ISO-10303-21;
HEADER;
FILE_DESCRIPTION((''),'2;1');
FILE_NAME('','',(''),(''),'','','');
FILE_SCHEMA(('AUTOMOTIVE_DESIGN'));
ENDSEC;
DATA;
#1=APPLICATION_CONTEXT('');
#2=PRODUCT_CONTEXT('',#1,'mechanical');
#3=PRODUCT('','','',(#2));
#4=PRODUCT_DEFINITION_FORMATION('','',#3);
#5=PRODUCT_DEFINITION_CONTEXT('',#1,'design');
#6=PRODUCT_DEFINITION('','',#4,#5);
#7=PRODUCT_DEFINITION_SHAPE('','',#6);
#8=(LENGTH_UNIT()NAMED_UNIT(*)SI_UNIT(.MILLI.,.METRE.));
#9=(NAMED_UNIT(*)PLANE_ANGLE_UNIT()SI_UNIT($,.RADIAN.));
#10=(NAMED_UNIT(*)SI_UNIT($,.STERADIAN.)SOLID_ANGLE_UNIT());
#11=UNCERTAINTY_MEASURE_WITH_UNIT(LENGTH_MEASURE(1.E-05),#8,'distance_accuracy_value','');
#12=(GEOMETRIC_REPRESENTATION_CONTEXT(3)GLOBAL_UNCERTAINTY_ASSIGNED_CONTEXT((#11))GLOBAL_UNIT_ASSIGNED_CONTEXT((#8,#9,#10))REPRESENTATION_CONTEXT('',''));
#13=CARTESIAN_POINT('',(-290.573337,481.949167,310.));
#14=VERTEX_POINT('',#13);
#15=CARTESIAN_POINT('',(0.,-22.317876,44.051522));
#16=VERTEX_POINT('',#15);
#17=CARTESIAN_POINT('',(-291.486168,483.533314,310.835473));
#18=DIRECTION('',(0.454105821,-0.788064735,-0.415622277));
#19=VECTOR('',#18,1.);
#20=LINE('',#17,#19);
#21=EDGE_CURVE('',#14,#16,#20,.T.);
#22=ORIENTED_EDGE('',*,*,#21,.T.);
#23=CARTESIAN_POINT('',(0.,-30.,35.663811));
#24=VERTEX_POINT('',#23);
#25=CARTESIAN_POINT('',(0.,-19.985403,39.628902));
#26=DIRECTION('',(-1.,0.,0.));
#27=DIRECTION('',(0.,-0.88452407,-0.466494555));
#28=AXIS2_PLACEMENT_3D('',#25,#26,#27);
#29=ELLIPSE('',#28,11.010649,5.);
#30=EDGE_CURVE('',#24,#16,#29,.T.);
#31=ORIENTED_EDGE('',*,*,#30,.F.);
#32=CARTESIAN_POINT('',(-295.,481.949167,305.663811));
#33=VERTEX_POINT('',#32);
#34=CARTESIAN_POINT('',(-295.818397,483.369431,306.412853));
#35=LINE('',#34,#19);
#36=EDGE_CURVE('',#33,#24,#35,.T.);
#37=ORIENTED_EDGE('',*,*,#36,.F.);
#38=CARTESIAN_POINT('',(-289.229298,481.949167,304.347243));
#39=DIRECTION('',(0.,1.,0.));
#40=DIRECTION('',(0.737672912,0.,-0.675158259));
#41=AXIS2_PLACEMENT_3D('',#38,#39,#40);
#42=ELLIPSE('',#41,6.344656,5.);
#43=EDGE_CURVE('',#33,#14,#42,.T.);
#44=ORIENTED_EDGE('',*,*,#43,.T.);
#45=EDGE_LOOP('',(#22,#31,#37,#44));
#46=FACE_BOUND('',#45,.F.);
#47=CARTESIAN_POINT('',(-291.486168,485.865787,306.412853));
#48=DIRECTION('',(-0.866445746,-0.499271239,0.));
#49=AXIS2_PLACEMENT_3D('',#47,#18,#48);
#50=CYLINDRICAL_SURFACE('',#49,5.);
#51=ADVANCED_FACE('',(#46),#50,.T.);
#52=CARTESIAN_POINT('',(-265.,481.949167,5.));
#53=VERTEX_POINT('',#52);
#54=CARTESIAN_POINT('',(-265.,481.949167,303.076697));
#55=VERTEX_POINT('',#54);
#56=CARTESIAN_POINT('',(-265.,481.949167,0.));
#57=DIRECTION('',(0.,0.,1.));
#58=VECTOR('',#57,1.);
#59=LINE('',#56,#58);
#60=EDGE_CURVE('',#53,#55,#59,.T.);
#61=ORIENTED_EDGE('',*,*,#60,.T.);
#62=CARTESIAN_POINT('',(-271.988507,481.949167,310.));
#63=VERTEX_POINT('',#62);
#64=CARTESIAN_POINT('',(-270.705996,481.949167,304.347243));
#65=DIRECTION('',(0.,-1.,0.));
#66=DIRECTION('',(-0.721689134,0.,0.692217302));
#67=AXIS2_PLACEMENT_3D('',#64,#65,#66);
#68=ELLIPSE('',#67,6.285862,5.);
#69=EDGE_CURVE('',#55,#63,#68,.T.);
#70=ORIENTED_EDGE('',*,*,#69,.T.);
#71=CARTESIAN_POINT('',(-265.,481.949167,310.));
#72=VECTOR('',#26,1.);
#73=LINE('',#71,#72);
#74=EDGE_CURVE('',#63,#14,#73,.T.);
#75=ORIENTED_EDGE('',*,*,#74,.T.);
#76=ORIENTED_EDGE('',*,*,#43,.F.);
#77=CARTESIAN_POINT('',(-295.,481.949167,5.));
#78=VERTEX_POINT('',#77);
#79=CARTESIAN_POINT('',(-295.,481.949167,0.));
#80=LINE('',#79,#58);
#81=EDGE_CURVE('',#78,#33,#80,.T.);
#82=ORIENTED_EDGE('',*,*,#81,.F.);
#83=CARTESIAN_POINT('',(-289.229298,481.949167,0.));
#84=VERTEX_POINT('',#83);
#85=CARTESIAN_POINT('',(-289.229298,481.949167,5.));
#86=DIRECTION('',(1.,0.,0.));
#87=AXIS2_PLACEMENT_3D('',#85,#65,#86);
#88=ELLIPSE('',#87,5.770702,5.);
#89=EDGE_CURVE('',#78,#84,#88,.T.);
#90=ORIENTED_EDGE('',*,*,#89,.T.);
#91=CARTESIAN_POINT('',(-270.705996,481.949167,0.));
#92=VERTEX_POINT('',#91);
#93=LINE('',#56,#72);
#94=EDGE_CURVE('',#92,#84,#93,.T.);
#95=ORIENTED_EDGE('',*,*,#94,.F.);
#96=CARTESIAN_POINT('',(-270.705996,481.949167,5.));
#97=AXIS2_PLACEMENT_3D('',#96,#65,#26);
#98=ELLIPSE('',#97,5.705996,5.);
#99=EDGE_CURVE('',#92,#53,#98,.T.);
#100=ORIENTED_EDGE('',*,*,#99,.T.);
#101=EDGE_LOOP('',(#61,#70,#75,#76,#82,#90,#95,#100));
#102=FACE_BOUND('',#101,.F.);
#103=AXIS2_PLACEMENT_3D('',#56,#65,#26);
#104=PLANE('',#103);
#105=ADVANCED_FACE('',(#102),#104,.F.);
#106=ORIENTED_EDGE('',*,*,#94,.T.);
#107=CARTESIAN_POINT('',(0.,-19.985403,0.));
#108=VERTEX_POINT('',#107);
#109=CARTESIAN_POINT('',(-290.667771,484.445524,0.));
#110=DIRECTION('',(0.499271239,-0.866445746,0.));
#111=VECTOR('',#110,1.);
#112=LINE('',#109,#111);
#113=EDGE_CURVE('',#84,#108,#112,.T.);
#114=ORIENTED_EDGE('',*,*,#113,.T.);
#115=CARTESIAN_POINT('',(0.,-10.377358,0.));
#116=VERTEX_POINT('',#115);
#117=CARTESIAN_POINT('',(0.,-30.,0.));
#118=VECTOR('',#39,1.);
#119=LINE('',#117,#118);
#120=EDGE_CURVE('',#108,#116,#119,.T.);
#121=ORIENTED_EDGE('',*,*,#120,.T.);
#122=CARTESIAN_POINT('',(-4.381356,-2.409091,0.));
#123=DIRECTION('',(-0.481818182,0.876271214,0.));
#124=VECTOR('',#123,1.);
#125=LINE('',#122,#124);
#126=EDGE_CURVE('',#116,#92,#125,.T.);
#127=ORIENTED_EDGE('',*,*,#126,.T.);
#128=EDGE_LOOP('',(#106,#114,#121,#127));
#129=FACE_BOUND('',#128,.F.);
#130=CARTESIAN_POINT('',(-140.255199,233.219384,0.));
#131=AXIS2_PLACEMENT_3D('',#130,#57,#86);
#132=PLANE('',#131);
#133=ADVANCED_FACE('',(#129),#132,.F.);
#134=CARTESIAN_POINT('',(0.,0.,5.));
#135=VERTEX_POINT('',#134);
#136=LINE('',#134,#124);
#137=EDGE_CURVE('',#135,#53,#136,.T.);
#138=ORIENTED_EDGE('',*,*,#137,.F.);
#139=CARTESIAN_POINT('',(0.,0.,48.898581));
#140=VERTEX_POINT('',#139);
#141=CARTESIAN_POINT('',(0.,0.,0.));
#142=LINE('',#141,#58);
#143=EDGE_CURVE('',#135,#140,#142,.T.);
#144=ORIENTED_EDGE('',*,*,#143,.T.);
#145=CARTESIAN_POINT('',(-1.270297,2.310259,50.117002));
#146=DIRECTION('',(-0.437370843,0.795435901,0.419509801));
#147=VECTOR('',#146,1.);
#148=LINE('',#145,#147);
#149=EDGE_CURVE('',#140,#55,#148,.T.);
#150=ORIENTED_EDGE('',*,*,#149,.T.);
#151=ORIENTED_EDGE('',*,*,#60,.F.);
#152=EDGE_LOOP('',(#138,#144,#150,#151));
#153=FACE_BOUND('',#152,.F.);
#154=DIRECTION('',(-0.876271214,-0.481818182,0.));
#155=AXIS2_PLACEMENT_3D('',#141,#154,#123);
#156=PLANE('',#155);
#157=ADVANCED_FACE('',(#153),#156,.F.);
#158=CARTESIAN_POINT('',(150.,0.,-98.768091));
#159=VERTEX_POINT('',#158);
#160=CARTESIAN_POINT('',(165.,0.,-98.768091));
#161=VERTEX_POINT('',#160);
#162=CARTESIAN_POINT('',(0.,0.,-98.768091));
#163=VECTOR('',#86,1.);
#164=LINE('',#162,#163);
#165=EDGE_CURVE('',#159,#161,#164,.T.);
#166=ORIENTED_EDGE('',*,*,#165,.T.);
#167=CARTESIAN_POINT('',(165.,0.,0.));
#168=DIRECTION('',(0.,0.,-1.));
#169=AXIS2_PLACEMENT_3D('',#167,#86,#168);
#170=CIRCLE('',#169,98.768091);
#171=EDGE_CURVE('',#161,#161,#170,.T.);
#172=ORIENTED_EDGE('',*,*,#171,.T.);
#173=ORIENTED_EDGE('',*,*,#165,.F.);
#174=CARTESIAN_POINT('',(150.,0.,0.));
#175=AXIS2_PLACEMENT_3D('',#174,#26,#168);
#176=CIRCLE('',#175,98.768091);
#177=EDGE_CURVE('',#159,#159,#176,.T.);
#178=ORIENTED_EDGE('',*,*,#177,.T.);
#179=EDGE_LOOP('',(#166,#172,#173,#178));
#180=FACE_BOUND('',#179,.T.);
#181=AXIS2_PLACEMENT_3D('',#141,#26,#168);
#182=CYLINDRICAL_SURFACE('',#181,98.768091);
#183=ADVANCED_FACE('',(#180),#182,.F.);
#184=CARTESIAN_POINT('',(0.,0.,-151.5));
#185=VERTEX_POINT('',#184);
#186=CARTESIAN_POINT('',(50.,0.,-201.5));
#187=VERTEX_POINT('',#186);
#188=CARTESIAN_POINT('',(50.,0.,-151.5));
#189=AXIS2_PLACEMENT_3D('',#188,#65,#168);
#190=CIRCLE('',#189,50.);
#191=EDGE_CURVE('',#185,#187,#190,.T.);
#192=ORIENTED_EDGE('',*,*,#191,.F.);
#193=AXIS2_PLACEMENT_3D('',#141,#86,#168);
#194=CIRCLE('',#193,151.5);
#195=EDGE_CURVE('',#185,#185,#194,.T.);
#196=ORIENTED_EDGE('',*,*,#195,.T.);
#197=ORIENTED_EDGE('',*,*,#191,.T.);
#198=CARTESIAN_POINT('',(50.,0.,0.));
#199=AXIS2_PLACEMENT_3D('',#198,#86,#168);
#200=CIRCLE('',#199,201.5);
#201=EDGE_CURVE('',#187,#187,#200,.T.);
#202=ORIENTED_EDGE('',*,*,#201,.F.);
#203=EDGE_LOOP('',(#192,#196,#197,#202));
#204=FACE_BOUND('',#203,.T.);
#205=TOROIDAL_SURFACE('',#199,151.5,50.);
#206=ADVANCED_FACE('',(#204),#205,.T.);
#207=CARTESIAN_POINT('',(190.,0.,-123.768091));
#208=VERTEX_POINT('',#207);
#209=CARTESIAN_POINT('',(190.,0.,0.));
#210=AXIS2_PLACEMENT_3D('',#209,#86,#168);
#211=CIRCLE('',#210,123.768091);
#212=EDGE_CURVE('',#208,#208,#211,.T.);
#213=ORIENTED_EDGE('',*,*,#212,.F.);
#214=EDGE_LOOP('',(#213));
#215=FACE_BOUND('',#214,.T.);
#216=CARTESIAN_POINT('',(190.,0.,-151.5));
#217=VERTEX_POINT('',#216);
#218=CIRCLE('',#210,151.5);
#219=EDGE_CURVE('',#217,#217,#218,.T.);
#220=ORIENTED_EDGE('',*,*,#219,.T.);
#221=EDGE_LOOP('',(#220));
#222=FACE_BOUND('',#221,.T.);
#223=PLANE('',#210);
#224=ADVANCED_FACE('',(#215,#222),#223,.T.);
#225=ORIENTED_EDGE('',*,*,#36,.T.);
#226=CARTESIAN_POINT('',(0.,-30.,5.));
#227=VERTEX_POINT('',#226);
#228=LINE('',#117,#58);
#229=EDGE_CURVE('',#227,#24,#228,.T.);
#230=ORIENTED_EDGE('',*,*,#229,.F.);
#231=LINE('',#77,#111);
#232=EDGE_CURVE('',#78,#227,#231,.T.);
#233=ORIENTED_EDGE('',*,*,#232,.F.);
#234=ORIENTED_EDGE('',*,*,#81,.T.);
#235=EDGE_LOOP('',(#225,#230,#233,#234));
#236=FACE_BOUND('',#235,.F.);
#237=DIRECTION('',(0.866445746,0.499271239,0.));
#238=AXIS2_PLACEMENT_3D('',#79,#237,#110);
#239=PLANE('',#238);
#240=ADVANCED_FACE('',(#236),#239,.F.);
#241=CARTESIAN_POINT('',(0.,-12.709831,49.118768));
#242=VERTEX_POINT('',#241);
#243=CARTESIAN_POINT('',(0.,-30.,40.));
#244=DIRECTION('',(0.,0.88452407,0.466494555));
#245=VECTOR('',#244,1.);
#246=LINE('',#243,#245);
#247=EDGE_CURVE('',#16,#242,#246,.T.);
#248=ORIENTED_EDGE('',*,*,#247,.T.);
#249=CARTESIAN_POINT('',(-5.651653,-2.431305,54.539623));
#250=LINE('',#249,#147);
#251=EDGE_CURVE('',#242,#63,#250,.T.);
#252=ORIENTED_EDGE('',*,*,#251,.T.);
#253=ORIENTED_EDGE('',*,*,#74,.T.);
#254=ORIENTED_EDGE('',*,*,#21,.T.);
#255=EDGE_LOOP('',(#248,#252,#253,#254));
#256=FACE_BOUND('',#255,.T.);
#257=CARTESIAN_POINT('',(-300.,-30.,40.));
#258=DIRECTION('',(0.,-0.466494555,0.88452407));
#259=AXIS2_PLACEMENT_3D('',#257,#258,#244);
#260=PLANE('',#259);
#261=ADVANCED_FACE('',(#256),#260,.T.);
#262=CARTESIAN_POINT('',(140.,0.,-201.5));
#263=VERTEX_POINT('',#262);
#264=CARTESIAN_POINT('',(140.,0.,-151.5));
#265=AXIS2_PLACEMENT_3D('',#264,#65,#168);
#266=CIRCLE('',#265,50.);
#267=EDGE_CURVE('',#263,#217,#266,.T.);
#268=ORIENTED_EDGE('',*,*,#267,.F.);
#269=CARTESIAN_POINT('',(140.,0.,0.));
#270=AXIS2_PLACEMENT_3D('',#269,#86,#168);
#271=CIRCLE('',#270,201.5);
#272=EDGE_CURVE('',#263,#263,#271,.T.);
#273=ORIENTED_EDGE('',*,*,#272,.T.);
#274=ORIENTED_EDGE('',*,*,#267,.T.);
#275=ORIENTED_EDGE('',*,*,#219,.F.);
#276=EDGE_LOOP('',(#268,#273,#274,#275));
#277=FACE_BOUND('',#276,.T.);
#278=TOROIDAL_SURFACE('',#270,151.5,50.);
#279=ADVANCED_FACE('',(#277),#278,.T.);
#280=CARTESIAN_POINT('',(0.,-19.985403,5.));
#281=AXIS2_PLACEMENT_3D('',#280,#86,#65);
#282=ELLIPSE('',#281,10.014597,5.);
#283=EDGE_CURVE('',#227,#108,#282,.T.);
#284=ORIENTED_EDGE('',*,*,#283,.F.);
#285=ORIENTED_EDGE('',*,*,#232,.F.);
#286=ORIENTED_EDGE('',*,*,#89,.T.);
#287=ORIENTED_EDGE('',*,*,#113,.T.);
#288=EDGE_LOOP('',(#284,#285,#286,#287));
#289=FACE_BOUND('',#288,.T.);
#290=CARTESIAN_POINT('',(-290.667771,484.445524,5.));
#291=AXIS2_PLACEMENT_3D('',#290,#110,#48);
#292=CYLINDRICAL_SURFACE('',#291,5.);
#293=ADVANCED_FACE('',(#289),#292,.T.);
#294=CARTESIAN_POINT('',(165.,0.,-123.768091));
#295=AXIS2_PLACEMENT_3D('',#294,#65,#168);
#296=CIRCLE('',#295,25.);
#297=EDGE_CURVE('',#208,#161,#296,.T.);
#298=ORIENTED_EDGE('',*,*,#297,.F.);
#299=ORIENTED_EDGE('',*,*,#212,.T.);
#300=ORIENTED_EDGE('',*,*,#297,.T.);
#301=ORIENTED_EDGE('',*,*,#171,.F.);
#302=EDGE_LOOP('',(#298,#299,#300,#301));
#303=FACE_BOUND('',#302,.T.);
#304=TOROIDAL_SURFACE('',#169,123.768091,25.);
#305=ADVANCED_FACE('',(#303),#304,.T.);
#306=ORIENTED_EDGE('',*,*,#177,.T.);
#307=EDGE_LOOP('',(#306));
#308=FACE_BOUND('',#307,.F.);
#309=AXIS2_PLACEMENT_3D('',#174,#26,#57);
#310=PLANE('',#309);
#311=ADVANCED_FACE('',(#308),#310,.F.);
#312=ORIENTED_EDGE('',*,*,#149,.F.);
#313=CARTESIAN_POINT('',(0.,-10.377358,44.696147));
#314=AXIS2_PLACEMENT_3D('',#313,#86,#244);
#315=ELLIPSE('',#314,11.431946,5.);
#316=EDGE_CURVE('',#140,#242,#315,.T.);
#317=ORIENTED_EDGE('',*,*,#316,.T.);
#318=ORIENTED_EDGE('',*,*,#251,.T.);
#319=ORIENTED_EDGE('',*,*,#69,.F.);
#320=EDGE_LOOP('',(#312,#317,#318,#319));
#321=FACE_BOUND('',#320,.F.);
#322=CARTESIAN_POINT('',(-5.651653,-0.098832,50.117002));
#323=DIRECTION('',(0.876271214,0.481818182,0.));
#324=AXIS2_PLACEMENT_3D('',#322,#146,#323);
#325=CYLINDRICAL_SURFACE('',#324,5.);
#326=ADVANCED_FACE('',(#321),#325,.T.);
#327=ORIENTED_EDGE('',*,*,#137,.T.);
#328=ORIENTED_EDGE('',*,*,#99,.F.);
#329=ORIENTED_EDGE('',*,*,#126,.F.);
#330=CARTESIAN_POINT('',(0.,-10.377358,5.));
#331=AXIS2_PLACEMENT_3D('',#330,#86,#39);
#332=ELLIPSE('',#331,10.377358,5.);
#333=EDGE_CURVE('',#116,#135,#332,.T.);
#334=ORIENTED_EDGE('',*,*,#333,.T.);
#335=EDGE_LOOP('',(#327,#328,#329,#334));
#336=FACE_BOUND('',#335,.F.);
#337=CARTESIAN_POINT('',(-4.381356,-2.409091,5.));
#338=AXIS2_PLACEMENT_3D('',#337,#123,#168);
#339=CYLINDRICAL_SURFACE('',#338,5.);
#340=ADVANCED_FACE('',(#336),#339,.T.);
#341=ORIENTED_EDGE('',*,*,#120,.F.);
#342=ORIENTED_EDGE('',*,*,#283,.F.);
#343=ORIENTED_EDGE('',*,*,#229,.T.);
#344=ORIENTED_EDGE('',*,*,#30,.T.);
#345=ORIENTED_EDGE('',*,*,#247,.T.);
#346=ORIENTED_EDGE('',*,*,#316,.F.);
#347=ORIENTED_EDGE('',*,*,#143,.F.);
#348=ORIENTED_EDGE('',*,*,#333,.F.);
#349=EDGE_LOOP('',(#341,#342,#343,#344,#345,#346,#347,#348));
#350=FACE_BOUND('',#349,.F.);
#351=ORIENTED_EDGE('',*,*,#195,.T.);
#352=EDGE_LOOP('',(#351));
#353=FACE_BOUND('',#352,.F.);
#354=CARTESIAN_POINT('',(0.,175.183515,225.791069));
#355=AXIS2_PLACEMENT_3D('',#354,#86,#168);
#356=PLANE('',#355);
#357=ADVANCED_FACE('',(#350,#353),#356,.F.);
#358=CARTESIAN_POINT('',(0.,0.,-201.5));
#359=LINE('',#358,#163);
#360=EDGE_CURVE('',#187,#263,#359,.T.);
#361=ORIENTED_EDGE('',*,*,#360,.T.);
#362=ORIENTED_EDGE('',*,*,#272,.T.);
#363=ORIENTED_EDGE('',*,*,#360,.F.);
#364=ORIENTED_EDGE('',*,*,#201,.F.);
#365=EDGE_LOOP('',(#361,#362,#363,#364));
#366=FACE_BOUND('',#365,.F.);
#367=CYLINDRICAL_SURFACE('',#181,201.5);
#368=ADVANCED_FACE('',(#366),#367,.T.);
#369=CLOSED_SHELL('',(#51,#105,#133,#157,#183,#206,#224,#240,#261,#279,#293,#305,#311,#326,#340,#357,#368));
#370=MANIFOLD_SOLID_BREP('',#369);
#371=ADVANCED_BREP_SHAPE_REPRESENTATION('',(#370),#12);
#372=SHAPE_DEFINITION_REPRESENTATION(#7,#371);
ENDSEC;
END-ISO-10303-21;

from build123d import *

# Parameters (mm, degrees)
SKETCH1_R           = 201.5
SKETCH1_R_2         = 98.768091278
BOSS_EXTRUDE1_DEPTH = 190
SKETCH2_R           = 98.768091278
BOSS_EXTRUDE2_DEPTH = 150
FILLET1_R           = 50
FILLET2_R           = 25
BOSS_EXTRUDE3_DEPTH = 310
CUT_EXTRUDE1_DEPTH  = 300
FILLET3_R           = 5


with BuildPart() as part:
    # Sketch1 → Boss-Extrude1 (new body)
    with BuildSketch(Plane(origin=(0, 0, 0), x_dir=(0, 0, -1), z_dir=(1, 0, 0))):
        Circle(SKETCH1_R)
        Circle(SKETCH1_R_2, mode=Mode.SUBTRACT)
    extrude(amount=BOSS_EXTRUDE1_DEPTH)

    # Sketch2 → Boss-Extrude2 (add)
    with BuildSketch(Plane.ZY):
        Circle(SKETCH2_R)
    extrude(amount=-BOSS_EXTRUDE2_DEPTH)

    # Fillet1
    fillet1_edges = [part.edges().sort_by_distance(p)[0] for p in [
        (0, 0, 201.5),
        (190, 0, 201.5),
    ]]
    fillet(fillet1_edges, radius=FILLET1_R)

    # Fillet2
    fillet2_edges = [part.edges().sort_by_distance(p)[0] for p in [
        (190, 0, 98.768091278),
    ]]
    fillet(fillet2_edges, radius=FILLET2_R)

    # Sketch3 → Boss-Extrude3 (add)
    with BuildSketch(Plane.XY):
        Polygon((0, -30), (0, 0), (-265, 481.949167444), (-295, 481.949167444), align=None)
    extrude(amount=BOSS_EXTRUDE3_DEPTH)

    # Sketch4 → Cut-Extrude1 (cut)
    with BuildSketch(Plane.ZY.offset(300)):
        Polygon((40, -30), (310, 481.949167444), (310, -30), align=None)
    extrude(amount=-CUT_EXTRUDE1_DEPTH, mode=Mode.SUBTRACT)

    # Fillet3
    fillet3_edges = [part.edges().sort_by_distance(p)[0] for p in [
        (-132.5, 240.974583722, 0),
        (-147.5, 225.974583722, 0),
        (-132.5, 240.974583722, 182.910941667),
        (-147.5, 225.974583722, 175),
    ]]
    fillet(fillet3_edges, radius=FILLET3_R)


solid = part.part
